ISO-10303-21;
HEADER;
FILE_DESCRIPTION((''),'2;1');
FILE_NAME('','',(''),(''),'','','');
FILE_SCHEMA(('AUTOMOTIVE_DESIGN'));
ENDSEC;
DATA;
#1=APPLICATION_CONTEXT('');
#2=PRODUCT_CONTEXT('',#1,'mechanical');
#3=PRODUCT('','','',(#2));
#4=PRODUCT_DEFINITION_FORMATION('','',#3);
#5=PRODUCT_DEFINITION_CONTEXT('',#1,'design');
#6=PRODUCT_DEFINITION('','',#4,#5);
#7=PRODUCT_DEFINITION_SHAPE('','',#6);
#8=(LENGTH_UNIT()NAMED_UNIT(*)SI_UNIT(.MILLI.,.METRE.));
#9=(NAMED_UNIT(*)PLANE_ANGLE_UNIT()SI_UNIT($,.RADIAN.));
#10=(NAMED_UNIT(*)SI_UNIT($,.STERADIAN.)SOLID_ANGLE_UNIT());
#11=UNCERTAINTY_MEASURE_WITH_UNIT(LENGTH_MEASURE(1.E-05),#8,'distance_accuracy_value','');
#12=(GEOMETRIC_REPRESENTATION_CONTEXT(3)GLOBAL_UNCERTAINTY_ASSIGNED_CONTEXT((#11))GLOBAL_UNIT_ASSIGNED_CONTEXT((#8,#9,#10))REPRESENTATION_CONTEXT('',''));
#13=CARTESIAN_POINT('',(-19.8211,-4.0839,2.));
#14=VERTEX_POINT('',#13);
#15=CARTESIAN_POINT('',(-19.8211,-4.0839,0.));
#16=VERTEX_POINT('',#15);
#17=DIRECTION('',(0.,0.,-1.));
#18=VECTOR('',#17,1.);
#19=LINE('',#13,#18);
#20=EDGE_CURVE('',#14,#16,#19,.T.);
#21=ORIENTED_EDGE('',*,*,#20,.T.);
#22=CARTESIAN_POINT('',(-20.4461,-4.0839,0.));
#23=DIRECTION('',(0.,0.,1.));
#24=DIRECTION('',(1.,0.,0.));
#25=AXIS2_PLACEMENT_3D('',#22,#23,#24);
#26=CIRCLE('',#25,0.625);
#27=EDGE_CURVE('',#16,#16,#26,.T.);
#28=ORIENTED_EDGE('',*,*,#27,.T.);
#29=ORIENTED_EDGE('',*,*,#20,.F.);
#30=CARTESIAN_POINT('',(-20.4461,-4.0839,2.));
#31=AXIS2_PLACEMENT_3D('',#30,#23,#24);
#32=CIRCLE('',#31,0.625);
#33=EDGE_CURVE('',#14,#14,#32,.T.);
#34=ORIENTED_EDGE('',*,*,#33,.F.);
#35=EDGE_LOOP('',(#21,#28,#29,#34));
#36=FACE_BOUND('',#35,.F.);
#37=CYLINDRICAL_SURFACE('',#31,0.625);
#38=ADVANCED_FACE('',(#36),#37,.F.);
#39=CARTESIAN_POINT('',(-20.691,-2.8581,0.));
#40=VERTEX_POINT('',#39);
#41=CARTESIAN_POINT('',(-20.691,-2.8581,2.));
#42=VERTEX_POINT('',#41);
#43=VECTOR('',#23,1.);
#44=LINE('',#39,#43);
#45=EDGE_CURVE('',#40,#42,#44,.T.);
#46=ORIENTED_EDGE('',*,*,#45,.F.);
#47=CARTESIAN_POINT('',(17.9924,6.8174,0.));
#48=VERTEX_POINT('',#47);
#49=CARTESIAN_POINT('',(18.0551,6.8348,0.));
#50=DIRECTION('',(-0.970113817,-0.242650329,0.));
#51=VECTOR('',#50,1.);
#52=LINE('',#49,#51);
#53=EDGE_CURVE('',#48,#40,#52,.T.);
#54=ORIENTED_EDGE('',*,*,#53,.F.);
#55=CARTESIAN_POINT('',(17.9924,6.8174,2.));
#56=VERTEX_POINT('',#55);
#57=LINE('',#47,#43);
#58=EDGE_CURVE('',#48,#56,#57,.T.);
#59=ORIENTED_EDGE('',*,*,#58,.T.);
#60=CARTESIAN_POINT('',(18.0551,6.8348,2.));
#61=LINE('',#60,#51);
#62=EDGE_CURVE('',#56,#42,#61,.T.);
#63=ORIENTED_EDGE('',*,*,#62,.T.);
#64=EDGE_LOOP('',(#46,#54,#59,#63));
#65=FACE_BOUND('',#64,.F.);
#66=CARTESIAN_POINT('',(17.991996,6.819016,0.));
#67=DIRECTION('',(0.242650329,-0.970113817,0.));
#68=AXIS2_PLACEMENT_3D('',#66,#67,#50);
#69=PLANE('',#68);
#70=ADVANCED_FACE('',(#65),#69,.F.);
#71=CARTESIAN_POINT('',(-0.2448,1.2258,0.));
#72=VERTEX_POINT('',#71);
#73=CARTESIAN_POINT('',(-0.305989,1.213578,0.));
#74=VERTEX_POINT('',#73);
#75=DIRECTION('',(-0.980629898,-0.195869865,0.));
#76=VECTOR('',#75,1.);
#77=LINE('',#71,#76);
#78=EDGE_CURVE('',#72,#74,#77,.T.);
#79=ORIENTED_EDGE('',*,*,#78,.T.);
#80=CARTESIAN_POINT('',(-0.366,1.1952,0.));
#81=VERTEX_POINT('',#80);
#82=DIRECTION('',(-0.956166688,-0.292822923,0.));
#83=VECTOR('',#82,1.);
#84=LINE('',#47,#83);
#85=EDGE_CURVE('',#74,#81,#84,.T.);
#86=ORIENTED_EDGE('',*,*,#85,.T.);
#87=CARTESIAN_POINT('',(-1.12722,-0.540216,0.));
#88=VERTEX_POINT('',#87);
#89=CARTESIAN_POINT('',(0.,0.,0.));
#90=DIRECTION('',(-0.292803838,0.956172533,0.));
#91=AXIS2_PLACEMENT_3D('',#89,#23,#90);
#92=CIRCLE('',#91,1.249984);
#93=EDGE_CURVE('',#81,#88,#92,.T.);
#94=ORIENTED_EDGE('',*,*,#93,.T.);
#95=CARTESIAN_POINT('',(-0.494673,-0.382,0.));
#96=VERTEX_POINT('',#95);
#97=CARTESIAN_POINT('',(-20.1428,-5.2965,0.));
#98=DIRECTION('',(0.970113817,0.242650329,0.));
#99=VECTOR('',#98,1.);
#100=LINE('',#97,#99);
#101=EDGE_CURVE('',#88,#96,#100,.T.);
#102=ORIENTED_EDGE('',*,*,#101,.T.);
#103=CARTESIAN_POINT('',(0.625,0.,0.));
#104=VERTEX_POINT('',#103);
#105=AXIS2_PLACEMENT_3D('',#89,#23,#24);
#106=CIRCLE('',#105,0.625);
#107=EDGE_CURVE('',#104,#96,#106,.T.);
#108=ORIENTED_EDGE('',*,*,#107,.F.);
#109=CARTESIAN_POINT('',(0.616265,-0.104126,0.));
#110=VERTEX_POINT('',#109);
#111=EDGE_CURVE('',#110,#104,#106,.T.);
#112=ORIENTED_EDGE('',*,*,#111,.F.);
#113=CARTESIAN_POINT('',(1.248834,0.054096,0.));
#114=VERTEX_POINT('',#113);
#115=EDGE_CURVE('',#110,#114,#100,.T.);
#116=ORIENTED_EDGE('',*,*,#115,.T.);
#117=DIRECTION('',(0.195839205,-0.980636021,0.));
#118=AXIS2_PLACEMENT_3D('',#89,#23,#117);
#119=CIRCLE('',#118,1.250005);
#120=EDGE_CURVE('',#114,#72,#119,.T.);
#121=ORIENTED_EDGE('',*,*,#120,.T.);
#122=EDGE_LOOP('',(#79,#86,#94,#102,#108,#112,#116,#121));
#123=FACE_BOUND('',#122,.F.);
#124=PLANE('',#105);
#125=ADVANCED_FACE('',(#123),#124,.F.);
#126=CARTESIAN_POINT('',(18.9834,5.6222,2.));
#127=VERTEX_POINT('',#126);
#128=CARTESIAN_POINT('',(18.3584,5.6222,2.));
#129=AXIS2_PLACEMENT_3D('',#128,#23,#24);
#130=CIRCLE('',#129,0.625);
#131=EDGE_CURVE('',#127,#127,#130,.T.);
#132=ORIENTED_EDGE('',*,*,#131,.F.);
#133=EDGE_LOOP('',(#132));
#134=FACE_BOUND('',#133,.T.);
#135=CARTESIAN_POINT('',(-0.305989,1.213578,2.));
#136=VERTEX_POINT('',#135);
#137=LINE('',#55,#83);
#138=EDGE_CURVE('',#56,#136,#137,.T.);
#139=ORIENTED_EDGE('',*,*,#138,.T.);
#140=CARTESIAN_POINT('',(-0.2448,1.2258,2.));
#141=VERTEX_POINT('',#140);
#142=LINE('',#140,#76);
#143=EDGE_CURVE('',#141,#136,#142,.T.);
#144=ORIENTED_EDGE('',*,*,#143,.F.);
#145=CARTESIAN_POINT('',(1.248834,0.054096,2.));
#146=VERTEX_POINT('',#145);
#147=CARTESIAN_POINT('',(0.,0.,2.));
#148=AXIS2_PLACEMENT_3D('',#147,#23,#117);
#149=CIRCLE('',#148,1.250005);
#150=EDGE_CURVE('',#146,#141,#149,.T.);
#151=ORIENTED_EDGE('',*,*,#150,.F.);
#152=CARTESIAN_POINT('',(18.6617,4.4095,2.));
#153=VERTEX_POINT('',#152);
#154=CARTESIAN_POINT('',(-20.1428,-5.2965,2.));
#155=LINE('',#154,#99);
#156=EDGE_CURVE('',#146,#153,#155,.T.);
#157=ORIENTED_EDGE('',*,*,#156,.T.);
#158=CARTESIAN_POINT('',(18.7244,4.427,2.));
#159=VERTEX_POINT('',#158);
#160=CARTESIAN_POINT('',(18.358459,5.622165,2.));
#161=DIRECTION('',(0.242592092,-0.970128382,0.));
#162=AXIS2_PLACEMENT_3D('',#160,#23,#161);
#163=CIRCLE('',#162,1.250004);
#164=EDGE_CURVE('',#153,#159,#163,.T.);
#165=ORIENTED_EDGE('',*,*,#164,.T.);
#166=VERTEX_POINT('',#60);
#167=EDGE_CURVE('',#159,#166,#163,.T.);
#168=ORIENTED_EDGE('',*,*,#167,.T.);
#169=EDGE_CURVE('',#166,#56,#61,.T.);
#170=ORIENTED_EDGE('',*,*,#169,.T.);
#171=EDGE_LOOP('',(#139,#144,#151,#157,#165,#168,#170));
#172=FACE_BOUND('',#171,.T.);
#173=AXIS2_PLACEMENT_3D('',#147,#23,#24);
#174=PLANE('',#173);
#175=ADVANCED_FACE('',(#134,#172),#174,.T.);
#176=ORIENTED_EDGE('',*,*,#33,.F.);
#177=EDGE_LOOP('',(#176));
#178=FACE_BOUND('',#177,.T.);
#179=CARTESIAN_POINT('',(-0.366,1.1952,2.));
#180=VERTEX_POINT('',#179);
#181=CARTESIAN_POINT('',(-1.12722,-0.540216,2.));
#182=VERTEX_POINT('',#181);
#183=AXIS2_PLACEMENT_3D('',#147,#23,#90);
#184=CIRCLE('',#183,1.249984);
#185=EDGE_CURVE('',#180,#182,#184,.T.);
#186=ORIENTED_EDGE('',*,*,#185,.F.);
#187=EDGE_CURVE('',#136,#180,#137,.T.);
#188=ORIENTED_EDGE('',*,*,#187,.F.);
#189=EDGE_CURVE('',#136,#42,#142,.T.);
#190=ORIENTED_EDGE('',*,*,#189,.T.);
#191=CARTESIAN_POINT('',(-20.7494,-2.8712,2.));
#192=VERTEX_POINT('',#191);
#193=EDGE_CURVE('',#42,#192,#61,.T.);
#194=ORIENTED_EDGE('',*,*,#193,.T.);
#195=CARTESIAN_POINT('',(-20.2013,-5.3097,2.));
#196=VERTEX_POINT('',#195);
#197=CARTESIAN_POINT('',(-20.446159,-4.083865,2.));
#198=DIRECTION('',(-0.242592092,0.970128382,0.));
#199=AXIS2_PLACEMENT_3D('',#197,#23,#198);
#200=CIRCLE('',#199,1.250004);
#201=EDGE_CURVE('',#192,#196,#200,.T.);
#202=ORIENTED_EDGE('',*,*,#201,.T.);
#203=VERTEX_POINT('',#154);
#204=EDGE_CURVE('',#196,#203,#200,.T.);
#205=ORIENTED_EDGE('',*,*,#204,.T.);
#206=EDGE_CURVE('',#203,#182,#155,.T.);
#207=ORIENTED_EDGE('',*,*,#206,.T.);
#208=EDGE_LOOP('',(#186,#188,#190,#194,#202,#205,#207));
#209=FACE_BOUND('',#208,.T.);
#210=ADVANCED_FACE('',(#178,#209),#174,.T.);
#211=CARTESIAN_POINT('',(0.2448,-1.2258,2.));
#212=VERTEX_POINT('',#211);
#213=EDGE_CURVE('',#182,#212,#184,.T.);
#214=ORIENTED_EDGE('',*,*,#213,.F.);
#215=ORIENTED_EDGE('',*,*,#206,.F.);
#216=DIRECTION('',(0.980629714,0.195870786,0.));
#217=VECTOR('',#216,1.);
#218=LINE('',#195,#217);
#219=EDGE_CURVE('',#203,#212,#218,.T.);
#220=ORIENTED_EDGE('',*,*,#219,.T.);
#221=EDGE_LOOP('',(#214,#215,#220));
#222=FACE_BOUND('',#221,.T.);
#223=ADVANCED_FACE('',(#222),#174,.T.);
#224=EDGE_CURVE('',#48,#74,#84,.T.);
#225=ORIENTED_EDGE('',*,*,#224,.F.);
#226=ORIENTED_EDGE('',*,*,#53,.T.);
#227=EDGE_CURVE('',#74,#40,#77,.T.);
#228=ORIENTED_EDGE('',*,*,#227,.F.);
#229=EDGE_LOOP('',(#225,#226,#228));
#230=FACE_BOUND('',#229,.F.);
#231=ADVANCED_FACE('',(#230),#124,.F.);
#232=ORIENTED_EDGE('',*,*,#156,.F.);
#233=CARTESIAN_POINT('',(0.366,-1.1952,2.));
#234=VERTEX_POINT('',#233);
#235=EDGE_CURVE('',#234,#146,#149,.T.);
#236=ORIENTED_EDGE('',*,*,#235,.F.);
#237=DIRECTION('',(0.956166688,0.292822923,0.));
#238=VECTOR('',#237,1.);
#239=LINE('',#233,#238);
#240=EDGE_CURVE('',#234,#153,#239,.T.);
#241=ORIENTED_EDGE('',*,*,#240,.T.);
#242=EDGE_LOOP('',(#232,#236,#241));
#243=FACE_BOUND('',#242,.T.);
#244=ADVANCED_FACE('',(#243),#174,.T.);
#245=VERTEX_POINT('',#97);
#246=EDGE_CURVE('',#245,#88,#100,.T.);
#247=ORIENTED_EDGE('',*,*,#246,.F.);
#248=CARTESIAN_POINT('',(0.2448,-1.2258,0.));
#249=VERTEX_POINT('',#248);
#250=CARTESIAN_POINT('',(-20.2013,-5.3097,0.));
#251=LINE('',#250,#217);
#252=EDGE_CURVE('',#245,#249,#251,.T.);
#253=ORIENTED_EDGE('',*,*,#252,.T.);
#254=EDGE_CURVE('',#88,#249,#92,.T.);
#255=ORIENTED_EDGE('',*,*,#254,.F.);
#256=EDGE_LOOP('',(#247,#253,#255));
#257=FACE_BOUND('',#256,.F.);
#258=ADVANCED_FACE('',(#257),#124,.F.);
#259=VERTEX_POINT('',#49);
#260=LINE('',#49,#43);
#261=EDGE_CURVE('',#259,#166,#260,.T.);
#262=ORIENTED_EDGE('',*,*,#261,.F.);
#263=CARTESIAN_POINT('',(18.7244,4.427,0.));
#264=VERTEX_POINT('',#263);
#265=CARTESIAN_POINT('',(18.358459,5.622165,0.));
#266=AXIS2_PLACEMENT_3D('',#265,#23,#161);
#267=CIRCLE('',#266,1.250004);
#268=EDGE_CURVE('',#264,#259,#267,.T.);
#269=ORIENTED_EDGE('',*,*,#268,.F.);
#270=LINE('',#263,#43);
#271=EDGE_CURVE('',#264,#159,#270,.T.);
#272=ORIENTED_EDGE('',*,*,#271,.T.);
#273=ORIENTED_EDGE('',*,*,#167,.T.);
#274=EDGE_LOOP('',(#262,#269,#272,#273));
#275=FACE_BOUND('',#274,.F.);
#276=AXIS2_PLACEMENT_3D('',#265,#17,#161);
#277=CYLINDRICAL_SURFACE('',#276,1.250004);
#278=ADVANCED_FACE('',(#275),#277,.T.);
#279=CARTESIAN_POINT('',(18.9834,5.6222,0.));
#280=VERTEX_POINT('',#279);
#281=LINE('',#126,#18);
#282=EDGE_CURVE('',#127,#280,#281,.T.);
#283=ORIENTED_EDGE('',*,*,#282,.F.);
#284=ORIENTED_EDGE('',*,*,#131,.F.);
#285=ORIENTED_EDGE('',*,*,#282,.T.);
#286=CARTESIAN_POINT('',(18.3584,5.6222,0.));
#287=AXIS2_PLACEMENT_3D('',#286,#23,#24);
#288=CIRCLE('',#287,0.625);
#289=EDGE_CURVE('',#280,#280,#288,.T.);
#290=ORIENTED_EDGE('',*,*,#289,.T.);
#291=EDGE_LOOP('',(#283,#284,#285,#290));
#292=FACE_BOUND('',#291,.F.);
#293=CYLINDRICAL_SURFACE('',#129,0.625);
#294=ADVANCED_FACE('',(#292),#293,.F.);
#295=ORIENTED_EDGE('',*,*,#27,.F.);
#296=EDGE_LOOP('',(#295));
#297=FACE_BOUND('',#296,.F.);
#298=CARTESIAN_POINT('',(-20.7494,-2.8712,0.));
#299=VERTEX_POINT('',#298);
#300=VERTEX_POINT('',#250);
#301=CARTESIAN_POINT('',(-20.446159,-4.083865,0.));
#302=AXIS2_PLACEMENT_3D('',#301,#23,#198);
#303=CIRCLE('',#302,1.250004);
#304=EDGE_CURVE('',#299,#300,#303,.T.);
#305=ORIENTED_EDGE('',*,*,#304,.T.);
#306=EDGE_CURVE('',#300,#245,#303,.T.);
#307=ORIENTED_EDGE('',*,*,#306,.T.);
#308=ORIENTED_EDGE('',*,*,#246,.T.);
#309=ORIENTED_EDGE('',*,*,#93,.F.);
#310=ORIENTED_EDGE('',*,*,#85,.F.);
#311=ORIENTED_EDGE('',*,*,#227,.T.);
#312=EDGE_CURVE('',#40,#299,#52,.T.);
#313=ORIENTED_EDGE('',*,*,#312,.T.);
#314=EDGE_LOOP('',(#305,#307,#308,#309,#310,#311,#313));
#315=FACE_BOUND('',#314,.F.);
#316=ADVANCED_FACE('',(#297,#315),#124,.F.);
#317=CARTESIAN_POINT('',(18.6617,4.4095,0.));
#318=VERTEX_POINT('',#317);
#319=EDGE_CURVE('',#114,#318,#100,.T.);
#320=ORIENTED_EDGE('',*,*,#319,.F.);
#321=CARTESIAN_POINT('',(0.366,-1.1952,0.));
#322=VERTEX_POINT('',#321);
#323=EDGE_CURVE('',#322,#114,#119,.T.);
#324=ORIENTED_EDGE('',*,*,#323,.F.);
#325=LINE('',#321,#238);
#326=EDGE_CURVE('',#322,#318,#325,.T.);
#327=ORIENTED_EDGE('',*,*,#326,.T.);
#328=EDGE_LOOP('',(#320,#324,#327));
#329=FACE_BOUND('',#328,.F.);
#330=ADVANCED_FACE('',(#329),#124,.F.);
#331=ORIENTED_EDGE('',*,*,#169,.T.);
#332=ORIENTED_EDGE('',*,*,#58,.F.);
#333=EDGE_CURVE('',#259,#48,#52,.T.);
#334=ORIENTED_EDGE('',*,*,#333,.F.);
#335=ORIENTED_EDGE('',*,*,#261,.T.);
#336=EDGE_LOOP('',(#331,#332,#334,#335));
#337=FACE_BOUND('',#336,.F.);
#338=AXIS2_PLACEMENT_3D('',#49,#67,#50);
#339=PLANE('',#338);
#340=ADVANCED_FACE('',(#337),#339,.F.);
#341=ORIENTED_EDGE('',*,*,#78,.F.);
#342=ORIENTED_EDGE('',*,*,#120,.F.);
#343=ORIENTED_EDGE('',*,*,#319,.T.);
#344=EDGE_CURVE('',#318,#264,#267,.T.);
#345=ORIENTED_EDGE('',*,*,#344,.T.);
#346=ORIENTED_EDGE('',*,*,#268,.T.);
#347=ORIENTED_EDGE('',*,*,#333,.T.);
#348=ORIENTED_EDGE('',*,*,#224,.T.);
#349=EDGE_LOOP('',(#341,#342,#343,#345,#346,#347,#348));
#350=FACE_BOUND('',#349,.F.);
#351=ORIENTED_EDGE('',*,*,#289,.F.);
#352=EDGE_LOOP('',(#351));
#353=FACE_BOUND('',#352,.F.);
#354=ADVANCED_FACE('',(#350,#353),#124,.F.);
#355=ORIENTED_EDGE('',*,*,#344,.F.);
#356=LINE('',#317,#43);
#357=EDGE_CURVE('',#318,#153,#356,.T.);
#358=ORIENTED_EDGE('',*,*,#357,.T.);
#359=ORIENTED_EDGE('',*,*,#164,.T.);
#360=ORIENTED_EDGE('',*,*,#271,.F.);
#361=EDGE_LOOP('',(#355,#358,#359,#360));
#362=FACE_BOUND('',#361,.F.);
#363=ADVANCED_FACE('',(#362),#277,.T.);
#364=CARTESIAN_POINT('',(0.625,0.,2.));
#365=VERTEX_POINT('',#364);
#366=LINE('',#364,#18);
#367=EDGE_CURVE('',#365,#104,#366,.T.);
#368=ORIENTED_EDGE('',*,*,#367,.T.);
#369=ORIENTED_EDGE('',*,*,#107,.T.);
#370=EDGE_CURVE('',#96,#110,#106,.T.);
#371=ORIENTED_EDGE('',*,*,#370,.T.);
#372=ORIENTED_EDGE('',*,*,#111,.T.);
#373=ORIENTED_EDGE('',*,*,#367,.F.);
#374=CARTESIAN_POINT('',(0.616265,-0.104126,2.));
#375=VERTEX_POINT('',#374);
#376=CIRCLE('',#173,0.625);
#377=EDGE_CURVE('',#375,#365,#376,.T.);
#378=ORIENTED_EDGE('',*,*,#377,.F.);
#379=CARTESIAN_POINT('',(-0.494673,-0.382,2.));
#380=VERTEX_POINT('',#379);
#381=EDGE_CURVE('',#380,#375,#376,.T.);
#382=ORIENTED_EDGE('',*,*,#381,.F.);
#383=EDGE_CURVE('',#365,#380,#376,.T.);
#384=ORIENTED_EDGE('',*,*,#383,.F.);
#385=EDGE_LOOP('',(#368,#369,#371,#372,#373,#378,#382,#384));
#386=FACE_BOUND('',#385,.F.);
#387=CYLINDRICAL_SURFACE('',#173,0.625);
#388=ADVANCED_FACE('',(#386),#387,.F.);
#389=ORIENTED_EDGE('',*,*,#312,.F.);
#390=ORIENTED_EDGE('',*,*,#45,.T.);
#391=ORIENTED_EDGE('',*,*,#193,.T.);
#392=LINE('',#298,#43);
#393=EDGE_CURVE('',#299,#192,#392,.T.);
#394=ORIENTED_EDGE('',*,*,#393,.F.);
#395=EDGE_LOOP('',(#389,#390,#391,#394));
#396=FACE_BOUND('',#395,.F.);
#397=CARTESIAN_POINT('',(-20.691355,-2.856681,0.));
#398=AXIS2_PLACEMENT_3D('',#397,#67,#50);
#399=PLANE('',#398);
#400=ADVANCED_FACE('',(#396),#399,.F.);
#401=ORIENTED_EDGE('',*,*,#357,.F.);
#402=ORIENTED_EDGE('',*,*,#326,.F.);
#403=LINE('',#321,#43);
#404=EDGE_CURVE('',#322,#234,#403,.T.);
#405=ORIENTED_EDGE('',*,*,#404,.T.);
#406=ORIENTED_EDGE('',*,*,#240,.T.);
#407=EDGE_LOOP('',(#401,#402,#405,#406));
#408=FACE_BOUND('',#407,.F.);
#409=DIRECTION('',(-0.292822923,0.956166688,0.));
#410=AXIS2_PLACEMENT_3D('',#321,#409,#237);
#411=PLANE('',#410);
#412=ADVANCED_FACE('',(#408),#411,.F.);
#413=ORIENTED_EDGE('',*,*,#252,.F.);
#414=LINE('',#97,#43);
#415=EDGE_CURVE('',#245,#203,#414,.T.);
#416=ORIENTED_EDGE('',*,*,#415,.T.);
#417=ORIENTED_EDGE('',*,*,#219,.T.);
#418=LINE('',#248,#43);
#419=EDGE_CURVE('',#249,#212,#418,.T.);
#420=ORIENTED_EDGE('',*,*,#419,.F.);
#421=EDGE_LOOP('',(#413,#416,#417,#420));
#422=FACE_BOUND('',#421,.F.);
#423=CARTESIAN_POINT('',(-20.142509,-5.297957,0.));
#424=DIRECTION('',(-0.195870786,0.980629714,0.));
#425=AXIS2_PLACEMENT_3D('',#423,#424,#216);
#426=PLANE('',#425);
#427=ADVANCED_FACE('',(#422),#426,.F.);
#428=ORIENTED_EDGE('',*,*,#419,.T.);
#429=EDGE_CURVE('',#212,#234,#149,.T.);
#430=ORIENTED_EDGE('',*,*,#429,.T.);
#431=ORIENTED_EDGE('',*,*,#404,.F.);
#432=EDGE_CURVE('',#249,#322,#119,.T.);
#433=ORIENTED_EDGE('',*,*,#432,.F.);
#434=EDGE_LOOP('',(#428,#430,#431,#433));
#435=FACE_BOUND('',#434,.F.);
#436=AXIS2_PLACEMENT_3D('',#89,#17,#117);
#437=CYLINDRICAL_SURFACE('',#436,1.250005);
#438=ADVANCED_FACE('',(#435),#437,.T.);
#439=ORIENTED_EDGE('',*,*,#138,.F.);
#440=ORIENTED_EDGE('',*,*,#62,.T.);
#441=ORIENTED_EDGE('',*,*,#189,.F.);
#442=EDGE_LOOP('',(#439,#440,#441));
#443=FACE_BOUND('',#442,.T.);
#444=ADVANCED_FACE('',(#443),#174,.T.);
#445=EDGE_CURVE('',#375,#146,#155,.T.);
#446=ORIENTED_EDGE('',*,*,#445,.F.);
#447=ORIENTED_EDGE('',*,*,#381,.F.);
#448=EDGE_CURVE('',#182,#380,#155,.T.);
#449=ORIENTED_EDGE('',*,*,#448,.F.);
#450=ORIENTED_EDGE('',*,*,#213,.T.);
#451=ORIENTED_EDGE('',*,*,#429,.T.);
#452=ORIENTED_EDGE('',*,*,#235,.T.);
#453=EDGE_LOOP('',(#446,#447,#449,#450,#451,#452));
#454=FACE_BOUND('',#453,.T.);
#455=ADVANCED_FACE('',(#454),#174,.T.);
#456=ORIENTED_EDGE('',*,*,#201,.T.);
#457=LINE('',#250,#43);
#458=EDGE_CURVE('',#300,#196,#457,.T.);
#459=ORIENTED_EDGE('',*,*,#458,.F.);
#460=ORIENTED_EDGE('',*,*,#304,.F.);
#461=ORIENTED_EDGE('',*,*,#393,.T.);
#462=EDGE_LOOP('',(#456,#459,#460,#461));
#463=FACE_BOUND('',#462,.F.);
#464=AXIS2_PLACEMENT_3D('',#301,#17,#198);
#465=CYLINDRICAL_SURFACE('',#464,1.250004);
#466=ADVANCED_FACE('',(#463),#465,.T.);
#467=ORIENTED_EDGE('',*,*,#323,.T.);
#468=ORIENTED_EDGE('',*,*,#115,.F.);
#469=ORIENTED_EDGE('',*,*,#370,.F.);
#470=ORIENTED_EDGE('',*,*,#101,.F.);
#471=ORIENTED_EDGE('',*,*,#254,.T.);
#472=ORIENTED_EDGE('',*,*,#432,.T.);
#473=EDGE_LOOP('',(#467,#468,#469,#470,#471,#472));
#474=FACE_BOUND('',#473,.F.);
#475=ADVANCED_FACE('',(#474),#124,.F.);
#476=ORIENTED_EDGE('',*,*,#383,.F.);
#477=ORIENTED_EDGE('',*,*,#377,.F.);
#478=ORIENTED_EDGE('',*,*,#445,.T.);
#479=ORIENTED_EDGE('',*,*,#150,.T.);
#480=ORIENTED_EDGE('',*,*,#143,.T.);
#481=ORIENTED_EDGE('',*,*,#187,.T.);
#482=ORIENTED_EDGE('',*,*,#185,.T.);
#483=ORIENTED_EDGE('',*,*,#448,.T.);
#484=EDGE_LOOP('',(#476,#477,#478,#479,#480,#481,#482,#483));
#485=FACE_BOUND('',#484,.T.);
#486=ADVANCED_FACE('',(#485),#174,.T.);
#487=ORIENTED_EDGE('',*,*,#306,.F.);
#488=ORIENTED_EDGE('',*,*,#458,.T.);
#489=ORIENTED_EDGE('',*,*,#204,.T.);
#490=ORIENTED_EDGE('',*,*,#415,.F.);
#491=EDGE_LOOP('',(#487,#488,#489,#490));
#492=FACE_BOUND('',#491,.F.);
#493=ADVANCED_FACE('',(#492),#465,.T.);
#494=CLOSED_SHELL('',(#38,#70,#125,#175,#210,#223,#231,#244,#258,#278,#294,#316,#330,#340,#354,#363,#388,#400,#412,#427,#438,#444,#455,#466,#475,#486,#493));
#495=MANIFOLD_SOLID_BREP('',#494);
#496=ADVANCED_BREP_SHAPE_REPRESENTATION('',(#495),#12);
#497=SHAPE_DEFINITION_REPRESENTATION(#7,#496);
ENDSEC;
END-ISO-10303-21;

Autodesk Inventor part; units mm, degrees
ref_plane "YZ Plane" through (0, 0, 0) normal (1, 0, 0) x (0, 1, 0)
ref_plane "XZ Plane" through (0, 0, 0) normal (0, 1, 0) x (-1, 0, 0)
ref_plane "XY Plane" through (0, 0, 0) normal (0, 0, 1) x (1, 0, 0)
sketch "草圖1" plane through (0, 0, 0) normal (0, 0, 1) x (1, 0, 0)
  line L0 (0, 0) -> (-20.4461, -4.0839) construction
  line L1 (-20.4461, -4.0839) -> (18.3584, 5.6222) construction
  line L2 (18.3584, 5.6222) -> (0, 0) construction
  line L3 (-20.4461, -4.0839) -> (18.3584, 5.6222) construction
  line L4 (-20.1428, -5.2965) -> (18.6617, 4.4095)
  line L5 (18.0551, 6.8348) -> (-20.7494, -2.8712)
  arc A0 (-20.7494, -2.8712) -> (-20.1428, -5.2965) centre (-20.4461, -4.0839) ccw
  arc A1 (18.6617, 4.4095) -> (18.0551, 6.8348) centre (18.3584, 5.6222) ccw
  line L6 (0, 0) -> (-20.4461, -4.0839) construction
  line L7 (-0.2448, 1.2258) -> (-20.691, -2.8581)
  line L8 (-20.2013, -5.3097) -> (0.2448, -1.2258)
  arc A2 (0.2448, -1.2258) -> (-0.2448, 1.2258) centre (0, 0) ccw
  arc A3 (-20.691, -2.8581) -> (-20.2013, -5.3097) centre (-20.4461, -4.0839) ccw
  line L9 (0, 0) -> (18.3584, 5.6222) construction
  line L10 (0.366, -1.1952) -> (18.7244, 4.427)
  line L11 (17.9924, 6.8174) -> (-0.366, 1.1952)
  arc A4 (-0.366, 1.1952) -> (0.366, -1.1952) centre (0, 0) ccw
  arc A5 (18.7244, 4.427) -> (17.9924, 6.8174) centre (18.3584, 5.6222) ccw
  point P0 (-1.0439, 0.7692)
  point P1 (-10.2231, -2.0419)
  point P2 (9.1792, 2.8111)
  dimension "d0" = 20.85
  dimension "d1" = 40
  dimension "d2" = 19.2
  dimension "d3" = 2.5
  dimension "d4" = 2.5
  dimension "d5" = 2.5
extrude "擠出1" add sketch "草圖1" along normal blind 2
sketch "草圖2" plane through (0, 0, 2) normal (0, 0, 1) x (1, 0, 0)
  arc A0 (18.7244, 4.427) -> (18.0551, 6.8348) centre (18.3584, 5.6222) ccw projected
  arc A1 (-20.7494, -2.8712) -> (-20.2013, -5.3097) centre (-20.4461, -4.0839) ccw projected
  arc A2 (0.2448, -1.2258) -> (0.366, -1.1952) centre (0, 0) ccw projected
  circle A3 centre (0, 0) radius 0.625
  circle A4 centre (18.3584, 5.6222) radius 0.625
  circle A5 centre (-20.4461, -4.0839) radius 0.625
  dimension "d8" = 1.25
  dimension "d9" = 1.25
  dimension "d10" = 1.25
extrude "擠出2" cut sketch "草圖2" against normal blind 2
properties part number "1-2"
